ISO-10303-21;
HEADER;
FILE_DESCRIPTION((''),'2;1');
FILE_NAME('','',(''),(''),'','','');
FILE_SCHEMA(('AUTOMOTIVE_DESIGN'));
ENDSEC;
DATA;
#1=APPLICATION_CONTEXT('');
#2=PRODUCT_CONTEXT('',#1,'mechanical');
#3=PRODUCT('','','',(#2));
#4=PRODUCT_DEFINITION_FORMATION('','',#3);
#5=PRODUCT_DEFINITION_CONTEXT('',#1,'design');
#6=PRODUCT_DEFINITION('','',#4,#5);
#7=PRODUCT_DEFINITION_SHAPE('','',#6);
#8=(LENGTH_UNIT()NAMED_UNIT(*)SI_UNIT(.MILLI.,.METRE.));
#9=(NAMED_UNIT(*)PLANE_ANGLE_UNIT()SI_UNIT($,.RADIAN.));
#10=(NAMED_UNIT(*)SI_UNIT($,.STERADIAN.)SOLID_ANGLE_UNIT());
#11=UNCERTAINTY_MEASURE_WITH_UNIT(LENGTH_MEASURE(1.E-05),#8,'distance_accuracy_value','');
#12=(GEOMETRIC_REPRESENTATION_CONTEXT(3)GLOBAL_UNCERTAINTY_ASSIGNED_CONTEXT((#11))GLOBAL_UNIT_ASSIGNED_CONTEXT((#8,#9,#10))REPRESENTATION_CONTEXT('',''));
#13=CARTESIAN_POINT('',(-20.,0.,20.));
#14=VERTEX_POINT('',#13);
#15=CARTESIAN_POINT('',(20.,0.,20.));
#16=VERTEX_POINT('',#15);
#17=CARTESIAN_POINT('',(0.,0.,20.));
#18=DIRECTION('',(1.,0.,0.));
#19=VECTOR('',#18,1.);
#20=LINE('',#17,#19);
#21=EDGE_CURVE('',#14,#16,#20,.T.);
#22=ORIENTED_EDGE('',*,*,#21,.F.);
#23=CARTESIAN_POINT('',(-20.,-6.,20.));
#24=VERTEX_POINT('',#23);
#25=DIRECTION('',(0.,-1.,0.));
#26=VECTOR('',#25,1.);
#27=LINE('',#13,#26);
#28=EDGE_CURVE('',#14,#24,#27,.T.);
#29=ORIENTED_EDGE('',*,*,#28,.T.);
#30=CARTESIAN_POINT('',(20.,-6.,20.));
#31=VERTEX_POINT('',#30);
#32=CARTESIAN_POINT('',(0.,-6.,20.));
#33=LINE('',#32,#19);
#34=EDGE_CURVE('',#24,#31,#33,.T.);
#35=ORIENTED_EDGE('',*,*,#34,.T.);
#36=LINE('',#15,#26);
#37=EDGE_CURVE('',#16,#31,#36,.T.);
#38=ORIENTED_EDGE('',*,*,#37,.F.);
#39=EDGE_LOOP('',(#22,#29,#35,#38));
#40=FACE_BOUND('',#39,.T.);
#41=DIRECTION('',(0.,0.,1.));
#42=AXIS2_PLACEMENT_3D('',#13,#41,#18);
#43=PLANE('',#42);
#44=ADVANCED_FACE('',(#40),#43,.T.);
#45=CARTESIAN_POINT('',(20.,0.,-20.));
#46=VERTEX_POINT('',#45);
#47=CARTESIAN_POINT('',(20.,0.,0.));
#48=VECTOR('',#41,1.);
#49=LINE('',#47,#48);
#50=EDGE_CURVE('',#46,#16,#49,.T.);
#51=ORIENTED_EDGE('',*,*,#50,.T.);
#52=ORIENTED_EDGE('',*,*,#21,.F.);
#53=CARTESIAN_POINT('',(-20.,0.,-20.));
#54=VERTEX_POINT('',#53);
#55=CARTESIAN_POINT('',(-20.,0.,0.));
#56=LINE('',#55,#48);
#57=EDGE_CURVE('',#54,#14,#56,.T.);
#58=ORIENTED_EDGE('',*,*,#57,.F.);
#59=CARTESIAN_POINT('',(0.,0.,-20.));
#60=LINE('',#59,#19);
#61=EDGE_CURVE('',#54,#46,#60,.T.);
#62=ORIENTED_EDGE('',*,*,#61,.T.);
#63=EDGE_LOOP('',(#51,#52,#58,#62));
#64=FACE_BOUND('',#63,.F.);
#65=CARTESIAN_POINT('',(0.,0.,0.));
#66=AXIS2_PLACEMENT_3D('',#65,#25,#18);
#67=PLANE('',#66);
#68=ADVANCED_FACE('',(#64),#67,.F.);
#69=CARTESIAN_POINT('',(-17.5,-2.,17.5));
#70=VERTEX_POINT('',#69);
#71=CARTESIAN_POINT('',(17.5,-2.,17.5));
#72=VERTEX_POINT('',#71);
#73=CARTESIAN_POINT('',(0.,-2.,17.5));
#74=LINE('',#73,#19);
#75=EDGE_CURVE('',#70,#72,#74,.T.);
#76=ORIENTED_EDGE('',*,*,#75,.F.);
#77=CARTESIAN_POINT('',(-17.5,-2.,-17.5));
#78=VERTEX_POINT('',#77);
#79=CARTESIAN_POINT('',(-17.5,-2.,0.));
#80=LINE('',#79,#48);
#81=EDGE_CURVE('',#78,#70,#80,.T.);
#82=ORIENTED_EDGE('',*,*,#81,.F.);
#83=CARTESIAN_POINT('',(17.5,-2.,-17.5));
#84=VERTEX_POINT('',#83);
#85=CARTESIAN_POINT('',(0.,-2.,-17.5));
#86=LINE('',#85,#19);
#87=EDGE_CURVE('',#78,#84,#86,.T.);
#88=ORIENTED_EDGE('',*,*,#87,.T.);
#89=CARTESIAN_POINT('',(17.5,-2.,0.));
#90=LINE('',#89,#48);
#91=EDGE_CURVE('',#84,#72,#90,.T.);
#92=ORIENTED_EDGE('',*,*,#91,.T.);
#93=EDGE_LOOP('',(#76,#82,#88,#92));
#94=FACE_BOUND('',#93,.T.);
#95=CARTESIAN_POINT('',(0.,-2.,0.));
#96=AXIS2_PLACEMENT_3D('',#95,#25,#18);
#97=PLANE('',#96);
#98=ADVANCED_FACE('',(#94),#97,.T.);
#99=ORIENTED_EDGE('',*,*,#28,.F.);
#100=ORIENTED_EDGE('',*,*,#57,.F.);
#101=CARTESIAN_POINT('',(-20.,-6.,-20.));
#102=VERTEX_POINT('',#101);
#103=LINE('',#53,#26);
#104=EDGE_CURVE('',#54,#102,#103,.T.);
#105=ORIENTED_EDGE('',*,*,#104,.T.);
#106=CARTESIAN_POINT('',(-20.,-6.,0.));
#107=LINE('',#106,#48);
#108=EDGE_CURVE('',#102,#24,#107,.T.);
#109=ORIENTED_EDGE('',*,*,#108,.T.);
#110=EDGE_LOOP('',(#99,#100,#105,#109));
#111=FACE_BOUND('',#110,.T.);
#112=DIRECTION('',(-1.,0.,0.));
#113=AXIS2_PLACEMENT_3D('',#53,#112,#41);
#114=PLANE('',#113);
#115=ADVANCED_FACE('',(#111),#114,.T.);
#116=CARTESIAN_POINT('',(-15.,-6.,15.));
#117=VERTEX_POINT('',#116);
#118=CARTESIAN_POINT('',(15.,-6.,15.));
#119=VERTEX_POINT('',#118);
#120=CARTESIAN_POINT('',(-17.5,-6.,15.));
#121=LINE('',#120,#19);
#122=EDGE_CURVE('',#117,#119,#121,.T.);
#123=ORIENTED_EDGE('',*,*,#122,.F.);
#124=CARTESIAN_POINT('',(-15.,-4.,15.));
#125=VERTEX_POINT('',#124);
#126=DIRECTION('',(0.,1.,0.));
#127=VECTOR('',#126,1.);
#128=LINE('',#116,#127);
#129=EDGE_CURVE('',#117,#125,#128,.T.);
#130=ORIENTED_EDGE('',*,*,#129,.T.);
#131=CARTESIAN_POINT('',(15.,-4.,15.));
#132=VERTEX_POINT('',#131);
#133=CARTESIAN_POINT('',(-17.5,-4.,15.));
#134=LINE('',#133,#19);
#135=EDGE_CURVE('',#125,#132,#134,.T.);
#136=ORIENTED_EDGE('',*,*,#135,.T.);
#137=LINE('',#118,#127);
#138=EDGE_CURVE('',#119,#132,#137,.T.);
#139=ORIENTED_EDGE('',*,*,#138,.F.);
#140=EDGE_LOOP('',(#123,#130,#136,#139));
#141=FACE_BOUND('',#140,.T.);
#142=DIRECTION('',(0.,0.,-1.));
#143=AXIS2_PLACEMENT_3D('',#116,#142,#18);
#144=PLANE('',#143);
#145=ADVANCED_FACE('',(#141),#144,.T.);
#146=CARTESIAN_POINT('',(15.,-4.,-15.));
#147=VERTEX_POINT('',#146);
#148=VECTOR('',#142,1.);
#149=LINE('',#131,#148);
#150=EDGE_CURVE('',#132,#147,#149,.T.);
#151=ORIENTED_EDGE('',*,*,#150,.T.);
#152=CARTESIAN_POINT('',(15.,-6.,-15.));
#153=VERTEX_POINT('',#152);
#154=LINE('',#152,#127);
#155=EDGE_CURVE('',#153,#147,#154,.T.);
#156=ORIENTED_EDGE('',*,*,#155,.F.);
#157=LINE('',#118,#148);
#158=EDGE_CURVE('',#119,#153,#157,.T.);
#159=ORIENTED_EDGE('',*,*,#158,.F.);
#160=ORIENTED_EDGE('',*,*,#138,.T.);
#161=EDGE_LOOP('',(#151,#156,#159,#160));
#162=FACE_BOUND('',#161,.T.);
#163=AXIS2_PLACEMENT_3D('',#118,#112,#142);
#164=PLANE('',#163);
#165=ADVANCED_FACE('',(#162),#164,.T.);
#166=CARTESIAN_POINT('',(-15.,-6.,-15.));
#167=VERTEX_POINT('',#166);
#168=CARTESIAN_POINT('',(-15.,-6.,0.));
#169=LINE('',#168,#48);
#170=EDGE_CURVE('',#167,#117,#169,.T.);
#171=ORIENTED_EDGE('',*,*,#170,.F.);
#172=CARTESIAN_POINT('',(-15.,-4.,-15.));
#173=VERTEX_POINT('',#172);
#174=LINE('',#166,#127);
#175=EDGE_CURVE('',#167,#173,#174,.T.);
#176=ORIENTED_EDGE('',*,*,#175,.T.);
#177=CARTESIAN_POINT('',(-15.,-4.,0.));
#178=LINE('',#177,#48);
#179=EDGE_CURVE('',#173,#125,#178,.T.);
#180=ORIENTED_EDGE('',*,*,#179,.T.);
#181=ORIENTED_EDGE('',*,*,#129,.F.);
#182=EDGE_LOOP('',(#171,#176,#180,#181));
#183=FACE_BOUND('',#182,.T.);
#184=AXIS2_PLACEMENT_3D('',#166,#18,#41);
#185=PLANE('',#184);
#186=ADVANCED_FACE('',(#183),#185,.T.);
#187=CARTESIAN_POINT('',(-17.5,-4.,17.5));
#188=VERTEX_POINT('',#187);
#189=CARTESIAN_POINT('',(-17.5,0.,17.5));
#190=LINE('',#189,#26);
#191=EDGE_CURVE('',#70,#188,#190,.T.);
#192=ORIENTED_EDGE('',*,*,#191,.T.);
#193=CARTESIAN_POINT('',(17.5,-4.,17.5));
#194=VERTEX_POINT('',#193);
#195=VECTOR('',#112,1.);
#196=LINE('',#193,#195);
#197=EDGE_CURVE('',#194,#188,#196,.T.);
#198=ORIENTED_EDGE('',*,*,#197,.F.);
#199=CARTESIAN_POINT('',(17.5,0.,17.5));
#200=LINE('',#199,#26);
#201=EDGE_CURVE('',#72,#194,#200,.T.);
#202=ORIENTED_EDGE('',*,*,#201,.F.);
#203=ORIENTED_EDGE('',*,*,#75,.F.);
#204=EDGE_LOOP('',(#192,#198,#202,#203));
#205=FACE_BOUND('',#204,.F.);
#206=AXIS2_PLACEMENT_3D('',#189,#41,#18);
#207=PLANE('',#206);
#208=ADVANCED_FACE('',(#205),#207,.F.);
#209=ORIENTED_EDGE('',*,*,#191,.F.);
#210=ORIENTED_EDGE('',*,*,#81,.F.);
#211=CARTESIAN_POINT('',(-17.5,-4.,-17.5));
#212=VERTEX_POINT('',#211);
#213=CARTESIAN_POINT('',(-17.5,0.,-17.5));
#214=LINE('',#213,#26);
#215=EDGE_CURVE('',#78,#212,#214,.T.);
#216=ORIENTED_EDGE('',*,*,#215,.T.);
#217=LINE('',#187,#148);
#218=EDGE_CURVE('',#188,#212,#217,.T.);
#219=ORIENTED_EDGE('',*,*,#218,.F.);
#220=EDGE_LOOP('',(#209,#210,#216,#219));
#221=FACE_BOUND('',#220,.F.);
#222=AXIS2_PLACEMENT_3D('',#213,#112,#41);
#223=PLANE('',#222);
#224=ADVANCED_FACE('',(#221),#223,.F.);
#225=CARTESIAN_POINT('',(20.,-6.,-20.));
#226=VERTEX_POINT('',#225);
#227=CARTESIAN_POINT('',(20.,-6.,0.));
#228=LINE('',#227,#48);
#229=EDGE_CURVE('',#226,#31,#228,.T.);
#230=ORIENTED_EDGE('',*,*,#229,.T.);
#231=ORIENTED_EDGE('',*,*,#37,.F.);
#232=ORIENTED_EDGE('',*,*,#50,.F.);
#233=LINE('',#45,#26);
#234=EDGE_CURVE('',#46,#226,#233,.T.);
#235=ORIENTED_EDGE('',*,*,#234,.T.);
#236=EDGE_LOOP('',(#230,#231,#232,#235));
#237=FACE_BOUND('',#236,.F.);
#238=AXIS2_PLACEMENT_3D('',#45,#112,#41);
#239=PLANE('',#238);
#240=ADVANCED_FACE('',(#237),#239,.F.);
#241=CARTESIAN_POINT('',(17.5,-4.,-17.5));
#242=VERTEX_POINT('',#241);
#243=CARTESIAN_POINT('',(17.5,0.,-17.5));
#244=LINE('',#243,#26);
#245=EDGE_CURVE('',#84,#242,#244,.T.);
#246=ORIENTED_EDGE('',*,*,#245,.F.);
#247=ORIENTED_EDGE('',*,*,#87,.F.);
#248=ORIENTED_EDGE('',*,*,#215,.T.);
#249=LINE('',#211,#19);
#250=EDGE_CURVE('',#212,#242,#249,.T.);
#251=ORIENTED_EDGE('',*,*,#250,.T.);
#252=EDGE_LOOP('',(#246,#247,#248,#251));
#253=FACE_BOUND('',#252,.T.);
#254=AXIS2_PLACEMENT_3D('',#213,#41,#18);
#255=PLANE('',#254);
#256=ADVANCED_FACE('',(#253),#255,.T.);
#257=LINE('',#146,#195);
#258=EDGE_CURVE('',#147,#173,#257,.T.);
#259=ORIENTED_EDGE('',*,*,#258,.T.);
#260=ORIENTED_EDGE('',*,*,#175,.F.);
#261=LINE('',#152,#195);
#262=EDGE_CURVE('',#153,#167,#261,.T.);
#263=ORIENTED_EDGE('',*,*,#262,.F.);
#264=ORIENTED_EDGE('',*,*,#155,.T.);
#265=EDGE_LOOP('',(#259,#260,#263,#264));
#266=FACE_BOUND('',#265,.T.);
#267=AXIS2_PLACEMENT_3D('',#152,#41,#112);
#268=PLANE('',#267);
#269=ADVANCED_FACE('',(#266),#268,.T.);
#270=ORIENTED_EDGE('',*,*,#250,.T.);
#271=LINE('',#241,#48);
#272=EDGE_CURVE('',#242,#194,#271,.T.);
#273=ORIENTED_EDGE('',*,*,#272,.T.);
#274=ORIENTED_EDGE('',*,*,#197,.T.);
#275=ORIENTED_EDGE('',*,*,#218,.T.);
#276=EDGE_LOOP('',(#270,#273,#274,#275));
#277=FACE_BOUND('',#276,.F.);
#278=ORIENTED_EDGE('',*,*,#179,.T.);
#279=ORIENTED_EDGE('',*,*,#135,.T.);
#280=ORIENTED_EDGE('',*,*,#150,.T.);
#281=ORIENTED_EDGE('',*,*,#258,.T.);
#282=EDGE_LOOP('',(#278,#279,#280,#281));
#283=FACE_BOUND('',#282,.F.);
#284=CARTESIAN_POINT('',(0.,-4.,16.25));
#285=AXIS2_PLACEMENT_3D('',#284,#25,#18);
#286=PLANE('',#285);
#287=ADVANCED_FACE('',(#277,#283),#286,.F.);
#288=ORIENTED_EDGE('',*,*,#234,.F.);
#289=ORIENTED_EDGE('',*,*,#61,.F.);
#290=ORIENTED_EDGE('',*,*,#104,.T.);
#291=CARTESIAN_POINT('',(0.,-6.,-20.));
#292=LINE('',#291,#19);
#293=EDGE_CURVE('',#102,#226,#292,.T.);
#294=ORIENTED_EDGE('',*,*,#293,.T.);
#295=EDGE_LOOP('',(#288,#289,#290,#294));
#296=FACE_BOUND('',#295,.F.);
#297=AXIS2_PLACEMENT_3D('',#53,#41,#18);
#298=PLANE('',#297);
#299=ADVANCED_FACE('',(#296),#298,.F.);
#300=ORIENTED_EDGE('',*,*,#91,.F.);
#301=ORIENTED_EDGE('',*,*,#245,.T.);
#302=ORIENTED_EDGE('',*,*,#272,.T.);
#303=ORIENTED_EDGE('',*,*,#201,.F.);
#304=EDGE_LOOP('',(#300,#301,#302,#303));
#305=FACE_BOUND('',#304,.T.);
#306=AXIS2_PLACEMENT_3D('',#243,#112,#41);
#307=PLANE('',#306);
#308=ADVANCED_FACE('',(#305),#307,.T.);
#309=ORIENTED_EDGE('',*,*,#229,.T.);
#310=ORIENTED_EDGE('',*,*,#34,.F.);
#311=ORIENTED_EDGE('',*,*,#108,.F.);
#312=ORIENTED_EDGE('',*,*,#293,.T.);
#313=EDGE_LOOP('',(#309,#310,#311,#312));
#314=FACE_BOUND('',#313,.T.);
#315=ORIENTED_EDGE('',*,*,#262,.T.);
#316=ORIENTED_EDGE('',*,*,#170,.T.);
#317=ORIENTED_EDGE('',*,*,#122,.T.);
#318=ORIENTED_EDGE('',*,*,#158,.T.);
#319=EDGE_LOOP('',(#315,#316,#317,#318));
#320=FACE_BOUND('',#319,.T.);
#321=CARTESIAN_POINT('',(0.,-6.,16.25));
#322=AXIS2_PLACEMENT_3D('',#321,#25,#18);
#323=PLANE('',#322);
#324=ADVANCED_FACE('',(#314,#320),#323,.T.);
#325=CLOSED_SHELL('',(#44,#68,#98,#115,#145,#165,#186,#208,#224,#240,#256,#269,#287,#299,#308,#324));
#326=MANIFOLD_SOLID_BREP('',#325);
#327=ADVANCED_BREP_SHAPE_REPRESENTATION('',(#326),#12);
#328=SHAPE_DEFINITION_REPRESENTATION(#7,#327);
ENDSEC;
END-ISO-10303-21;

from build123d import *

# Parameters (mm, degrees)
F0_W     = 40
F0_H     = 40
F0_W_2   = 35
F0_H_2   = 35
F1_DEPTH = 6
F2_DEPTH = 2
F3_W     = 2.5
F3_H     = 30
F4_DEPTH = 2


with BuildPart() as f1:
    # F0 (on Front) → F1 (new body)
    with BuildSketch(Plane.XZ):
        Rectangle(F0_W, F0_H)
        Rectangle(F0_W_2, F0_H_2, mode=Mode.SUBTRACT)
    extrude(amount=F1_DEPTH)

    # F0 (on Front) → F2 (join)
    with BuildSketch(Plane.XZ):
        Rectangle(F0_W_2, F0_H_2)
    extrude(amount=F2_DEPTH)

    # F3 (on face) → F4 (join)
    with BuildSketch(Plane.XZ.offset(6)):
        Polygon((-17.5, 17.5), (-17.5, 15), (-15, 15), (15, 15), (17.5, 15), (17.5, 17.5), align=None)
        with Locations((-16.25, 0)):
            Rectangle(F3_W, F3_H)
        Polygon((-15, -15), (-17.5, -15), (-17.5, -17.5), (15, -17.5), (15, -15), align=None)
        Polygon((17.5, 15), (15, 15), (15, -15), (15, -17.5), (17.5, -17.5), align=None)
    extrude(amount=-F4_DEPTH)


solid = f1.part
